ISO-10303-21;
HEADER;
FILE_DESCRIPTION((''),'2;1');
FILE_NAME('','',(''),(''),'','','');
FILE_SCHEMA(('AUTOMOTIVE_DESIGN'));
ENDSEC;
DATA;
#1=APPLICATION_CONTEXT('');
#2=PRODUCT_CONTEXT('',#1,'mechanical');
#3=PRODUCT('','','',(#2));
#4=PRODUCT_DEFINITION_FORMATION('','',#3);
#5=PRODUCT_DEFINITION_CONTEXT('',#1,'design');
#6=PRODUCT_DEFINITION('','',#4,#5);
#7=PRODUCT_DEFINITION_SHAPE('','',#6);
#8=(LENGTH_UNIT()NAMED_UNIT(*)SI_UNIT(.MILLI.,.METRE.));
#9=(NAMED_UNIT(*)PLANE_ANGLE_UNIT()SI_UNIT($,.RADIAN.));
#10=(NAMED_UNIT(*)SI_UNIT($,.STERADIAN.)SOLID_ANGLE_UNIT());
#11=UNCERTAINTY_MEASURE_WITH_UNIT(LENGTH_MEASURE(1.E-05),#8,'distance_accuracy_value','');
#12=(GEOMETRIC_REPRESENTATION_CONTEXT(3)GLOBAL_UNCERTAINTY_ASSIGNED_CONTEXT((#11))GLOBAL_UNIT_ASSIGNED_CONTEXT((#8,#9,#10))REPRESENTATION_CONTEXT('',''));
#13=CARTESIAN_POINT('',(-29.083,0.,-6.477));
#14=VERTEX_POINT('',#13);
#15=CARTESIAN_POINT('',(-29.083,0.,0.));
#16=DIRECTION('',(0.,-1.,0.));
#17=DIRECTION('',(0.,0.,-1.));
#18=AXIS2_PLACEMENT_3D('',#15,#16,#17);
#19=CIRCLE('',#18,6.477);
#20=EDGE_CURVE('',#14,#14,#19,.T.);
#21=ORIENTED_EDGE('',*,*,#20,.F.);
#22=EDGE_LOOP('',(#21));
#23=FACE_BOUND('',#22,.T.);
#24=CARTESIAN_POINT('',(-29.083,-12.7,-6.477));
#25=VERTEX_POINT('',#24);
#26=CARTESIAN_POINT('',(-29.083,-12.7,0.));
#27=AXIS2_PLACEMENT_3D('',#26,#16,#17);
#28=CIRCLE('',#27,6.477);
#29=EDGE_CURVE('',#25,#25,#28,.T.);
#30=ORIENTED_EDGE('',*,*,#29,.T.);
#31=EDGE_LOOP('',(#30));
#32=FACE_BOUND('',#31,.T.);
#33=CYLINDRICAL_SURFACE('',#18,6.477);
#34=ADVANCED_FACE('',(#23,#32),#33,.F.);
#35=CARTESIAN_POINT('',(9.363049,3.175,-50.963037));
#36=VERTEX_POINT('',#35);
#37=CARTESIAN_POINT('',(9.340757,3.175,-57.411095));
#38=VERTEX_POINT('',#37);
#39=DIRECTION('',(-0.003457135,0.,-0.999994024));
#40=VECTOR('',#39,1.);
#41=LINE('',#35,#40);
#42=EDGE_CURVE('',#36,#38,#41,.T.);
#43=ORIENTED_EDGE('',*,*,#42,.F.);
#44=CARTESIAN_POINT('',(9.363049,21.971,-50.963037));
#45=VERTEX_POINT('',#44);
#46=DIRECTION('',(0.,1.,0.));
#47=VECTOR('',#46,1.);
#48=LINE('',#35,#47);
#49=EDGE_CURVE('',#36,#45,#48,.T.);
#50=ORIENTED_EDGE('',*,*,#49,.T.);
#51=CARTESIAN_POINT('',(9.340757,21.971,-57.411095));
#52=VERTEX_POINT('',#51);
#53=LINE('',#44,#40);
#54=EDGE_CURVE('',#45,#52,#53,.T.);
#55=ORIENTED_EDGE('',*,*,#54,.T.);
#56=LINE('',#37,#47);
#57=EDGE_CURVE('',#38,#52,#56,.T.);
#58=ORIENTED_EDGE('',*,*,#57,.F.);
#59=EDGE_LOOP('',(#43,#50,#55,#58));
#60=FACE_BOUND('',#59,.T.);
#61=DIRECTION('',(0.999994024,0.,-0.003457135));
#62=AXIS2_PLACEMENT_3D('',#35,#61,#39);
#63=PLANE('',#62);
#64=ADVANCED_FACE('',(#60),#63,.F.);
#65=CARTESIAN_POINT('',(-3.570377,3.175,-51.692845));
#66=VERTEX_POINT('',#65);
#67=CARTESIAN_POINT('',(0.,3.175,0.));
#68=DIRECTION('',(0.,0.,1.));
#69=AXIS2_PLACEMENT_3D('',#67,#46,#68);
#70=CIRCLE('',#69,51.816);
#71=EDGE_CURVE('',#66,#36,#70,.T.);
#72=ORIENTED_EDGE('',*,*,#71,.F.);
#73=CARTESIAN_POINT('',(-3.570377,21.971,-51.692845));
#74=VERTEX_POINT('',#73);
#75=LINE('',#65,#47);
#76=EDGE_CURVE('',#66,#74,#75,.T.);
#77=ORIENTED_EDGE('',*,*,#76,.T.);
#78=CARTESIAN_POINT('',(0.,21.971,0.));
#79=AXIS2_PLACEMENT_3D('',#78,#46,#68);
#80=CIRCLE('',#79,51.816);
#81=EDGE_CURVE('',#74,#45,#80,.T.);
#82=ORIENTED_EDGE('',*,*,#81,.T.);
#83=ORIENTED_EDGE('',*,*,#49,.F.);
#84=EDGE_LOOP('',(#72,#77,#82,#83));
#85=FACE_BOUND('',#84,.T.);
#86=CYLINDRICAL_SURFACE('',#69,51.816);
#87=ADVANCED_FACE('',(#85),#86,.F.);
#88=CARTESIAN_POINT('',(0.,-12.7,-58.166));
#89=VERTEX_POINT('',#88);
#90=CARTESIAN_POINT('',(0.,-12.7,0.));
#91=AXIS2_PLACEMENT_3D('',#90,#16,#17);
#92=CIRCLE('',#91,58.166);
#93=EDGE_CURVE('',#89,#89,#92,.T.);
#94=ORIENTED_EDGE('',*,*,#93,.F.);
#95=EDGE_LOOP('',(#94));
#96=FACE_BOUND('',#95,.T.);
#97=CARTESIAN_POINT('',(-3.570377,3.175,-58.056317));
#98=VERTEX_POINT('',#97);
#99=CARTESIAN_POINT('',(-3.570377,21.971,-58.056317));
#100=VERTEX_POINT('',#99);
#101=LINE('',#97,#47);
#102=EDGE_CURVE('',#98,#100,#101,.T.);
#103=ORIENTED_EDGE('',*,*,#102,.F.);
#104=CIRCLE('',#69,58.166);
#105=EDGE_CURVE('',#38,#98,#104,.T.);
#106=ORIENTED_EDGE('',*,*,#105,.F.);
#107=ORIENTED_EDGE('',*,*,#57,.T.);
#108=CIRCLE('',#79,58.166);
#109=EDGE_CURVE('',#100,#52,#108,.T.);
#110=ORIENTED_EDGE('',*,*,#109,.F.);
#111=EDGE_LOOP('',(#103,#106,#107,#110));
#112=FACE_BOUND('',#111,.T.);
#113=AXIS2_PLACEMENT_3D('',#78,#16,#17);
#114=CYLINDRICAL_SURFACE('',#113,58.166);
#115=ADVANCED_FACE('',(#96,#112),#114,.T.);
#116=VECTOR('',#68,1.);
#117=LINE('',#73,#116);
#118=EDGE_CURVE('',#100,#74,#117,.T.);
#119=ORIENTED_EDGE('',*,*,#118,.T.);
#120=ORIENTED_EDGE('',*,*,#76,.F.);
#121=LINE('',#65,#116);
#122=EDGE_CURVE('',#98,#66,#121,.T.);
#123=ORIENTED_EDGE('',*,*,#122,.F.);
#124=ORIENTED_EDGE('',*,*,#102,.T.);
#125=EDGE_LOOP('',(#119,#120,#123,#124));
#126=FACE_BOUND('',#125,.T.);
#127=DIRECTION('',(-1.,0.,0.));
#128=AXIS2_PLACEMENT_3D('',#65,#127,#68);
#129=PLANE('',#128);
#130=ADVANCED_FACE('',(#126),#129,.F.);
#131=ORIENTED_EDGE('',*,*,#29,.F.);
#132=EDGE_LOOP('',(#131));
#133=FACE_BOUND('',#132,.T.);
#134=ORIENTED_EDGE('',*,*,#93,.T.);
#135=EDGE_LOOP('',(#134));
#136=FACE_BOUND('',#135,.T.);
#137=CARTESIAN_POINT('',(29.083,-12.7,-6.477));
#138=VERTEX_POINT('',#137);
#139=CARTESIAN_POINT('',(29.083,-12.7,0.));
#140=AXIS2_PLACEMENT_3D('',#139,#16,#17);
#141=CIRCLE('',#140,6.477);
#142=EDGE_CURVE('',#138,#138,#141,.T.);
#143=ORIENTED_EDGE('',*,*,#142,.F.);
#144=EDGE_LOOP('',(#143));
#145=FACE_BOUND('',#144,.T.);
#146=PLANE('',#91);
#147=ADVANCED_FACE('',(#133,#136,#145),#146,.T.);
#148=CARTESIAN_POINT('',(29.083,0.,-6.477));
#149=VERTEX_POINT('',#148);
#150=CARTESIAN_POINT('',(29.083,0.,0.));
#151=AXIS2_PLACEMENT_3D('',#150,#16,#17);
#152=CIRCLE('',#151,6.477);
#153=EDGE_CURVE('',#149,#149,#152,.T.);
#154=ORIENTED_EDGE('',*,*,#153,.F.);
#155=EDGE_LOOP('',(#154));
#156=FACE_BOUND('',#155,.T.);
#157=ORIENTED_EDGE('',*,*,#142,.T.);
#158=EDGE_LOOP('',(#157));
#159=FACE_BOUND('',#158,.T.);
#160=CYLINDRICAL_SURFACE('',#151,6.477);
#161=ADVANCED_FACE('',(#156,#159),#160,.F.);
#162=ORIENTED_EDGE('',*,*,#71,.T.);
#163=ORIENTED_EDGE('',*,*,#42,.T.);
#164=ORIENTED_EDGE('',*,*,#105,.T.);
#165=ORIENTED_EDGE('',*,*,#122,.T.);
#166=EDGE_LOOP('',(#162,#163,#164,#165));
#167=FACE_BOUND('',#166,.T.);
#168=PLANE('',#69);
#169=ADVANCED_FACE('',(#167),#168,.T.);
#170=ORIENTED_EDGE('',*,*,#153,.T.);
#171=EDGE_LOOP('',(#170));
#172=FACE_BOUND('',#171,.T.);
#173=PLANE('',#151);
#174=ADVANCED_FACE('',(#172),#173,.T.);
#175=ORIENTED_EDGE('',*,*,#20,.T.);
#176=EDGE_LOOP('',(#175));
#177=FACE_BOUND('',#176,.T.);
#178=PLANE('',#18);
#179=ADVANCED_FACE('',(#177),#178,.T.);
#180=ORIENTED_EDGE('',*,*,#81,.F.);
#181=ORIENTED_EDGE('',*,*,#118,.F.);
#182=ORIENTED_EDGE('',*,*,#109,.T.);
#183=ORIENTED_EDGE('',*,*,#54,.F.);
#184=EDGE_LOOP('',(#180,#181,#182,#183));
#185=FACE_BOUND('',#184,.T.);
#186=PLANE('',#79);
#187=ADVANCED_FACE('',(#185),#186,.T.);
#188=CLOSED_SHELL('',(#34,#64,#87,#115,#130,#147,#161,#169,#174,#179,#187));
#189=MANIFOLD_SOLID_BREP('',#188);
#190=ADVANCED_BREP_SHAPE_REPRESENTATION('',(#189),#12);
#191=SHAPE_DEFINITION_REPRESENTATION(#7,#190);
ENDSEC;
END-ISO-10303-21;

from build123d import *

# Parameters (mm, degrees)
SKETCH1_R           = 58.166
BOSS_EXTRUDE1_DEPTH = 21.971
SKETCH3_R           = 51.816
CUT_EXTRUDE2_DEPTH  = 18.796
CUT_EXTRUDE7_DEPTH  = 18.796
SKETCH8_R           = 58.166
BOSS_EXTRUDE4_DEPTH = 12.7
SKETCH9_R           = 6.477
CUT_EXTRUDE8_DEPTH  = 12.7


with BuildPart() as part:
    # Sketch1 → Boss-Extrude1 (new body)
    with BuildSketch(Plane(origin=(0, 0, 0), x_dir=(1, 0, 0), z_dir=(0, 1, 0))):
        Circle(SKETCH1_R)
    extrude(amount=BOSS_EXTRUDE1_DEPTH)

    # Sketch3 → Cut-Extrude2 (cut)
    with BuildSketch(Plane(origin=(0, 21.971, 0), x_dir=(1, 0, 0), z_dir=(0, 1, 0))):
        Circle(SKETCH3_R)
    extrude(amount=-CUT_EXTRUDE2_DEPTH, mode=Mode.SUBTRACT)

    # Sketch6 → Cut-Extrude7 (cut)
    with BuildSketch(Plane(origin=(0, 21.971, 0), x_dir=(1, 0, 0), z_dir=(0, 1, 0))):
        with BuildLine():
            Line((9.363048829, 50.963037318), (9.340756891, 57.411094892))
            ThreePointArc((9.340756891, 57.411094892), (2.903170649, 58.093503563), (-3.57037671, 58.056317194))
            Line((-3.57037671, 58.056317194), (-3.57037671, 51.692845406))
            ThreePointArc((-3.57037671, 51.692845406), (2.919232353, 51.733702153), (9.363048829, 50.963037318))
        make_face()
    extrude(amount=-CUT_EXTRUDE7_DEPTH, mode=Mode.SUBTRACT)

    # Sketch8 → Boss-Extrude4 (add)
    with BuildSketch(Plane.XZ):
        Circle(SKETCH8_R)
    extrude(amount=BOSS_EXTRUDE4_DEPTH)

    # Sketch9 → Cut-Extrude8 (cut)
    with BuildSketch(Plane.XZ.offset(12.7)):
        with Locations((-29.083, 0)):
            Circle(SKETCH9_R)
        with Locations((29.083, 0)):
            Circle(SKETCH9_R)
    extrude(amount=-CUT_EXTRUDE8_DEPTH, mode=Mode.SUBTRACT)


solid = part.part
